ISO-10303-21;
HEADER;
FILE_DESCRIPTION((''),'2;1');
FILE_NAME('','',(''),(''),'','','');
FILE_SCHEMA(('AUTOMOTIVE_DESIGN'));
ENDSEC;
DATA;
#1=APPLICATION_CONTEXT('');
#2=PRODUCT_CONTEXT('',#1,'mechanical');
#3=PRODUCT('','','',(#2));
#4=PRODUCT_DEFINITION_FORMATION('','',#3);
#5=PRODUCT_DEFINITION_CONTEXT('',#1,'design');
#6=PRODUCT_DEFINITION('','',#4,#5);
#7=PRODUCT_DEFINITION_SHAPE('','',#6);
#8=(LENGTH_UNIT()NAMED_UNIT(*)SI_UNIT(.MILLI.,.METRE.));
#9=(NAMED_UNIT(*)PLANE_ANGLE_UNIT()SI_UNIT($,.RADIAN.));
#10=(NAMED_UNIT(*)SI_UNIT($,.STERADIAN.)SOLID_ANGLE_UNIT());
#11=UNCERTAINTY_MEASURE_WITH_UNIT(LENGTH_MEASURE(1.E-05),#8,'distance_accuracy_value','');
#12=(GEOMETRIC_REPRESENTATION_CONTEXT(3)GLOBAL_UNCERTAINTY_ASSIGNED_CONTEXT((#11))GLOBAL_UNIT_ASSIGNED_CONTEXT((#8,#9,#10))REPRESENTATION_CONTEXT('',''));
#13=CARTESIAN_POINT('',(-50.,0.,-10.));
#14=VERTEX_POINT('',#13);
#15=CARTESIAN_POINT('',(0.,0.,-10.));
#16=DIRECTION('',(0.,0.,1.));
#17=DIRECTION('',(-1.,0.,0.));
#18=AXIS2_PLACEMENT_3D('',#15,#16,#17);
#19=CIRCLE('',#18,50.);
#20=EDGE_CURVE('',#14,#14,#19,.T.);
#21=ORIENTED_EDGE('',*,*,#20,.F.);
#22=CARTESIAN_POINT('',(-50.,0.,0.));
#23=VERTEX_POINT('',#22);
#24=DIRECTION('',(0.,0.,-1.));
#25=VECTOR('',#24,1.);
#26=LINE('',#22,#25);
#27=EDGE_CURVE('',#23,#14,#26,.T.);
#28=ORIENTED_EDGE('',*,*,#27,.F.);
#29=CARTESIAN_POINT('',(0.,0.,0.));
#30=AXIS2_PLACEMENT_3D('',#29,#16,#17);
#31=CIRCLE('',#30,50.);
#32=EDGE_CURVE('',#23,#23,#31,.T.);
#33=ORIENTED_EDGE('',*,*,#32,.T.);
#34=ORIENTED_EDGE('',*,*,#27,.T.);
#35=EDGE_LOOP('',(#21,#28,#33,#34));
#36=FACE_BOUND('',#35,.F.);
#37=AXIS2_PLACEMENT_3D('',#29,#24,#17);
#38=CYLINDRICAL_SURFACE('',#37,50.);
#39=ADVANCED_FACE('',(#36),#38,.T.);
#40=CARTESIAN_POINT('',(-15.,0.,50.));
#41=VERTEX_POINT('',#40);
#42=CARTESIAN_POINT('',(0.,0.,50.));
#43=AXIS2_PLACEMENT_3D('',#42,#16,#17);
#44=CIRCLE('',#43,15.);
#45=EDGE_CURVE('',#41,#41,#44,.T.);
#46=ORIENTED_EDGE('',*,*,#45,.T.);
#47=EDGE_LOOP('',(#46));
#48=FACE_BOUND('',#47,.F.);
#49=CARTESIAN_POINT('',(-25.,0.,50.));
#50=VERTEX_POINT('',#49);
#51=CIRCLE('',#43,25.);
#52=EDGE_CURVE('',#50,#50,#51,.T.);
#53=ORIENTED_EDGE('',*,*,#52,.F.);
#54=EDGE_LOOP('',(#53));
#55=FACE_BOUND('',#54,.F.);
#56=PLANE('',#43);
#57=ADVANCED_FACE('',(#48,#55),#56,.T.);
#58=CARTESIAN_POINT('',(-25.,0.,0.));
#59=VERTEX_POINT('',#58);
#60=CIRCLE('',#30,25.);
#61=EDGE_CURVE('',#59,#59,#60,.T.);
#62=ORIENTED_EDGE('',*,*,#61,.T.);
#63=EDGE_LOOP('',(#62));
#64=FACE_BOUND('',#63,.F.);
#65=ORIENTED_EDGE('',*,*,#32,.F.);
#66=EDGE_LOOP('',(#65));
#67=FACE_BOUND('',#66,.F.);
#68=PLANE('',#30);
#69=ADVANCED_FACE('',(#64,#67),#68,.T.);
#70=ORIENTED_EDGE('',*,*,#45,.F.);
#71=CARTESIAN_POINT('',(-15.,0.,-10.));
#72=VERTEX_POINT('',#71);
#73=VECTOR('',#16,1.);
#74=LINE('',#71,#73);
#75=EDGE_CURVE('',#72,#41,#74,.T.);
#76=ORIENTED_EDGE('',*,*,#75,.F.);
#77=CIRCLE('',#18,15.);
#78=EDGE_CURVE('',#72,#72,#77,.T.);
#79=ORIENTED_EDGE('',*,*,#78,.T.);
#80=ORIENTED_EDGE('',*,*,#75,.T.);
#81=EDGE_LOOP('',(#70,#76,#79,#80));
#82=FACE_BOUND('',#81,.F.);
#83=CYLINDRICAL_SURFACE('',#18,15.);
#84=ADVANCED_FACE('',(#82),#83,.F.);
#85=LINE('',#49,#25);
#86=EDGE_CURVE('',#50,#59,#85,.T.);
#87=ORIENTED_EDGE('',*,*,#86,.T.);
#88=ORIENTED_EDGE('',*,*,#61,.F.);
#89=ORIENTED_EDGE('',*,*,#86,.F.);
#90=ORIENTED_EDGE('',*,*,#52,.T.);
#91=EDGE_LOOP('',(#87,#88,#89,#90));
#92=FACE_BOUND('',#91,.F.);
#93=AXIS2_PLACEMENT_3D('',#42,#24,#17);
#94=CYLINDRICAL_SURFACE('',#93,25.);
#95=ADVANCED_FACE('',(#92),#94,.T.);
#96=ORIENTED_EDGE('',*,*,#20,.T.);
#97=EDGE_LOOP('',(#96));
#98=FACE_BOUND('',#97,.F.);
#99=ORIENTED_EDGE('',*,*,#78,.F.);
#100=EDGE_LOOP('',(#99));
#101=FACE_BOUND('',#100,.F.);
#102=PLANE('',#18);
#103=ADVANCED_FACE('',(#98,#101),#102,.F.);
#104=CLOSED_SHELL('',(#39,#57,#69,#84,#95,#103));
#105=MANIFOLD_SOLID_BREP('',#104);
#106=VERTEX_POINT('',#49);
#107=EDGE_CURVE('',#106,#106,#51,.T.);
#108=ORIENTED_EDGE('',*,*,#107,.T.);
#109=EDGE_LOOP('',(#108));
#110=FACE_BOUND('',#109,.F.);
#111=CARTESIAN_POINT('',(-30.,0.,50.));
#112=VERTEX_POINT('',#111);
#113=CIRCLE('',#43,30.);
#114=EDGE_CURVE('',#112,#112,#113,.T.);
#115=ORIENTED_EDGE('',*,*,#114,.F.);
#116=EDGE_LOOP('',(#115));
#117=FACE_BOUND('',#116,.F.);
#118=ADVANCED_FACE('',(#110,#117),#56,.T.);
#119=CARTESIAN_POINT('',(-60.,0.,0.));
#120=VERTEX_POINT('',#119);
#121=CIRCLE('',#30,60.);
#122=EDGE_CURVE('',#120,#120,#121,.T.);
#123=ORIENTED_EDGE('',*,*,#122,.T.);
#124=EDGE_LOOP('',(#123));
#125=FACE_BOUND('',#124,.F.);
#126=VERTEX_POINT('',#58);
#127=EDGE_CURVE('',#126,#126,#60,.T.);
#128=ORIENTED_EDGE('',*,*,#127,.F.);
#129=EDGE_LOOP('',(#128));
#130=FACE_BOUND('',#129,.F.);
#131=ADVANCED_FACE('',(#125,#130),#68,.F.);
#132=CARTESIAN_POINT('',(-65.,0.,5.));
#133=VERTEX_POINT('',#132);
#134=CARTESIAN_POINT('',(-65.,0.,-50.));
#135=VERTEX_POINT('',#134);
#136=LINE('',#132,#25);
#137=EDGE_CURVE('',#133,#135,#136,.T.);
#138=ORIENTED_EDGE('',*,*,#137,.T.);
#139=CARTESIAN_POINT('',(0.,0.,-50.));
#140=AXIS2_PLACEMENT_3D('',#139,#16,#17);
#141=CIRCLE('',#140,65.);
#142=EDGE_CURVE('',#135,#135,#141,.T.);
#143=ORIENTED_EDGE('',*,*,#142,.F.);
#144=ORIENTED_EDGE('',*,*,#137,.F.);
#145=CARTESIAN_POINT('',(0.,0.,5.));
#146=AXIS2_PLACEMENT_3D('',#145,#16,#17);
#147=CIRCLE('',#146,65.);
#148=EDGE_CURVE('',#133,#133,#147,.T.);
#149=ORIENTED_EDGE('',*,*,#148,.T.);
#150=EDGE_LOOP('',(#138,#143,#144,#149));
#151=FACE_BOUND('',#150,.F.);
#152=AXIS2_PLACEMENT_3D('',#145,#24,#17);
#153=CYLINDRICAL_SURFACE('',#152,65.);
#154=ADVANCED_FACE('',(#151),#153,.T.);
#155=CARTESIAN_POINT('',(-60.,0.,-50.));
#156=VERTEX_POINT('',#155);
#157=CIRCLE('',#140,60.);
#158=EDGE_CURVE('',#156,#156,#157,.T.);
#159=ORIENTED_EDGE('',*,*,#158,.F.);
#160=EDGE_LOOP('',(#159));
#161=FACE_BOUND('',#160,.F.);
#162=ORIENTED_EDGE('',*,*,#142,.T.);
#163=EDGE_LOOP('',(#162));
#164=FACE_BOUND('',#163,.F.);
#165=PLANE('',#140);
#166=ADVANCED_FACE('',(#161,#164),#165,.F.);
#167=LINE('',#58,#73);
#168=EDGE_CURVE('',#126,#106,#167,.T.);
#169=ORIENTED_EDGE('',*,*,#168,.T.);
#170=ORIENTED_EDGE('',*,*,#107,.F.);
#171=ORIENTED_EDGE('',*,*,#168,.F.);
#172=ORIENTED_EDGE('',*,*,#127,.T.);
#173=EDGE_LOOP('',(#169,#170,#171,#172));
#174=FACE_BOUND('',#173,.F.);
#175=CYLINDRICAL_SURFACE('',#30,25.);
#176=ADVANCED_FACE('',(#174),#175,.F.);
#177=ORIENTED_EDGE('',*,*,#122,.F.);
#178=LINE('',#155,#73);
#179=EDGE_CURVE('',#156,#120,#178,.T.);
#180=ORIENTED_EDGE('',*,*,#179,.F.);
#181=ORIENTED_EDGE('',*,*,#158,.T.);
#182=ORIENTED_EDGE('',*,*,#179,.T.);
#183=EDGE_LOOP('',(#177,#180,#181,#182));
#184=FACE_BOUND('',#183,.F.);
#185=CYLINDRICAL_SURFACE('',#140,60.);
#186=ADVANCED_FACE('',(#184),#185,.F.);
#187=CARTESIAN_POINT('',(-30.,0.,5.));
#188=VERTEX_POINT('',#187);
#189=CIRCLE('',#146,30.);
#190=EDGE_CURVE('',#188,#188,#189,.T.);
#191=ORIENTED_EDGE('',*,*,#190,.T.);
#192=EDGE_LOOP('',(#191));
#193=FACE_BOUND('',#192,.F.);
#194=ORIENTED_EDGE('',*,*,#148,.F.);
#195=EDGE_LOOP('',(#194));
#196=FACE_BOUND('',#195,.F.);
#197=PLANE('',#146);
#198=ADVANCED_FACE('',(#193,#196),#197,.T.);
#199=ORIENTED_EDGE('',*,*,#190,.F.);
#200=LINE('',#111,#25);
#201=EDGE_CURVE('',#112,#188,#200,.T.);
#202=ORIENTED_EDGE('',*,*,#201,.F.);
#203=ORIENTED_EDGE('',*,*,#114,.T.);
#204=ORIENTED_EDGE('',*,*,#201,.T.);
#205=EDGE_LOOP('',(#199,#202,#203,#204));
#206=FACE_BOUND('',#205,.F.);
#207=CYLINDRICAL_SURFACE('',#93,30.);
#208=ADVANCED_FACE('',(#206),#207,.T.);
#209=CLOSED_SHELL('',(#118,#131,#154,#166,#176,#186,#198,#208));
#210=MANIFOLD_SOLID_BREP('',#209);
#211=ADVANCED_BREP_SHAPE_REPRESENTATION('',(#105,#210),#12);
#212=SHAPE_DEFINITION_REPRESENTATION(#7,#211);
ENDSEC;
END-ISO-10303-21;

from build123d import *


with BuildPart() as f1:
    # F0 (on Front) → F1 (revolve)
    with BuildSketch(Plane.XZ):
        Polygon((-25, 50), (-30, 50), (-30, 5), (-65, 5), (-65, -50), (-60, -50), (-60, 0), (-50, 0), (-25, 0), align=None)
    revolve(axis=Axis((0, 0, 42.08643), (0, 0, 1)))


with BuildPart() as f2:
    # F0 (on Front) → F2 (revolve)
    with BuildSketch(Plane.XZ):
        Polygon((-15, 50), (-25, 50), (-25, 0), (-50, 0), (-50, -10), (-15, -10), align=None)
    revolve(axis=Axis((0, 0, 42.08643), (0, 0, 1)))


solid = Compound([f1.part, f2.part])
